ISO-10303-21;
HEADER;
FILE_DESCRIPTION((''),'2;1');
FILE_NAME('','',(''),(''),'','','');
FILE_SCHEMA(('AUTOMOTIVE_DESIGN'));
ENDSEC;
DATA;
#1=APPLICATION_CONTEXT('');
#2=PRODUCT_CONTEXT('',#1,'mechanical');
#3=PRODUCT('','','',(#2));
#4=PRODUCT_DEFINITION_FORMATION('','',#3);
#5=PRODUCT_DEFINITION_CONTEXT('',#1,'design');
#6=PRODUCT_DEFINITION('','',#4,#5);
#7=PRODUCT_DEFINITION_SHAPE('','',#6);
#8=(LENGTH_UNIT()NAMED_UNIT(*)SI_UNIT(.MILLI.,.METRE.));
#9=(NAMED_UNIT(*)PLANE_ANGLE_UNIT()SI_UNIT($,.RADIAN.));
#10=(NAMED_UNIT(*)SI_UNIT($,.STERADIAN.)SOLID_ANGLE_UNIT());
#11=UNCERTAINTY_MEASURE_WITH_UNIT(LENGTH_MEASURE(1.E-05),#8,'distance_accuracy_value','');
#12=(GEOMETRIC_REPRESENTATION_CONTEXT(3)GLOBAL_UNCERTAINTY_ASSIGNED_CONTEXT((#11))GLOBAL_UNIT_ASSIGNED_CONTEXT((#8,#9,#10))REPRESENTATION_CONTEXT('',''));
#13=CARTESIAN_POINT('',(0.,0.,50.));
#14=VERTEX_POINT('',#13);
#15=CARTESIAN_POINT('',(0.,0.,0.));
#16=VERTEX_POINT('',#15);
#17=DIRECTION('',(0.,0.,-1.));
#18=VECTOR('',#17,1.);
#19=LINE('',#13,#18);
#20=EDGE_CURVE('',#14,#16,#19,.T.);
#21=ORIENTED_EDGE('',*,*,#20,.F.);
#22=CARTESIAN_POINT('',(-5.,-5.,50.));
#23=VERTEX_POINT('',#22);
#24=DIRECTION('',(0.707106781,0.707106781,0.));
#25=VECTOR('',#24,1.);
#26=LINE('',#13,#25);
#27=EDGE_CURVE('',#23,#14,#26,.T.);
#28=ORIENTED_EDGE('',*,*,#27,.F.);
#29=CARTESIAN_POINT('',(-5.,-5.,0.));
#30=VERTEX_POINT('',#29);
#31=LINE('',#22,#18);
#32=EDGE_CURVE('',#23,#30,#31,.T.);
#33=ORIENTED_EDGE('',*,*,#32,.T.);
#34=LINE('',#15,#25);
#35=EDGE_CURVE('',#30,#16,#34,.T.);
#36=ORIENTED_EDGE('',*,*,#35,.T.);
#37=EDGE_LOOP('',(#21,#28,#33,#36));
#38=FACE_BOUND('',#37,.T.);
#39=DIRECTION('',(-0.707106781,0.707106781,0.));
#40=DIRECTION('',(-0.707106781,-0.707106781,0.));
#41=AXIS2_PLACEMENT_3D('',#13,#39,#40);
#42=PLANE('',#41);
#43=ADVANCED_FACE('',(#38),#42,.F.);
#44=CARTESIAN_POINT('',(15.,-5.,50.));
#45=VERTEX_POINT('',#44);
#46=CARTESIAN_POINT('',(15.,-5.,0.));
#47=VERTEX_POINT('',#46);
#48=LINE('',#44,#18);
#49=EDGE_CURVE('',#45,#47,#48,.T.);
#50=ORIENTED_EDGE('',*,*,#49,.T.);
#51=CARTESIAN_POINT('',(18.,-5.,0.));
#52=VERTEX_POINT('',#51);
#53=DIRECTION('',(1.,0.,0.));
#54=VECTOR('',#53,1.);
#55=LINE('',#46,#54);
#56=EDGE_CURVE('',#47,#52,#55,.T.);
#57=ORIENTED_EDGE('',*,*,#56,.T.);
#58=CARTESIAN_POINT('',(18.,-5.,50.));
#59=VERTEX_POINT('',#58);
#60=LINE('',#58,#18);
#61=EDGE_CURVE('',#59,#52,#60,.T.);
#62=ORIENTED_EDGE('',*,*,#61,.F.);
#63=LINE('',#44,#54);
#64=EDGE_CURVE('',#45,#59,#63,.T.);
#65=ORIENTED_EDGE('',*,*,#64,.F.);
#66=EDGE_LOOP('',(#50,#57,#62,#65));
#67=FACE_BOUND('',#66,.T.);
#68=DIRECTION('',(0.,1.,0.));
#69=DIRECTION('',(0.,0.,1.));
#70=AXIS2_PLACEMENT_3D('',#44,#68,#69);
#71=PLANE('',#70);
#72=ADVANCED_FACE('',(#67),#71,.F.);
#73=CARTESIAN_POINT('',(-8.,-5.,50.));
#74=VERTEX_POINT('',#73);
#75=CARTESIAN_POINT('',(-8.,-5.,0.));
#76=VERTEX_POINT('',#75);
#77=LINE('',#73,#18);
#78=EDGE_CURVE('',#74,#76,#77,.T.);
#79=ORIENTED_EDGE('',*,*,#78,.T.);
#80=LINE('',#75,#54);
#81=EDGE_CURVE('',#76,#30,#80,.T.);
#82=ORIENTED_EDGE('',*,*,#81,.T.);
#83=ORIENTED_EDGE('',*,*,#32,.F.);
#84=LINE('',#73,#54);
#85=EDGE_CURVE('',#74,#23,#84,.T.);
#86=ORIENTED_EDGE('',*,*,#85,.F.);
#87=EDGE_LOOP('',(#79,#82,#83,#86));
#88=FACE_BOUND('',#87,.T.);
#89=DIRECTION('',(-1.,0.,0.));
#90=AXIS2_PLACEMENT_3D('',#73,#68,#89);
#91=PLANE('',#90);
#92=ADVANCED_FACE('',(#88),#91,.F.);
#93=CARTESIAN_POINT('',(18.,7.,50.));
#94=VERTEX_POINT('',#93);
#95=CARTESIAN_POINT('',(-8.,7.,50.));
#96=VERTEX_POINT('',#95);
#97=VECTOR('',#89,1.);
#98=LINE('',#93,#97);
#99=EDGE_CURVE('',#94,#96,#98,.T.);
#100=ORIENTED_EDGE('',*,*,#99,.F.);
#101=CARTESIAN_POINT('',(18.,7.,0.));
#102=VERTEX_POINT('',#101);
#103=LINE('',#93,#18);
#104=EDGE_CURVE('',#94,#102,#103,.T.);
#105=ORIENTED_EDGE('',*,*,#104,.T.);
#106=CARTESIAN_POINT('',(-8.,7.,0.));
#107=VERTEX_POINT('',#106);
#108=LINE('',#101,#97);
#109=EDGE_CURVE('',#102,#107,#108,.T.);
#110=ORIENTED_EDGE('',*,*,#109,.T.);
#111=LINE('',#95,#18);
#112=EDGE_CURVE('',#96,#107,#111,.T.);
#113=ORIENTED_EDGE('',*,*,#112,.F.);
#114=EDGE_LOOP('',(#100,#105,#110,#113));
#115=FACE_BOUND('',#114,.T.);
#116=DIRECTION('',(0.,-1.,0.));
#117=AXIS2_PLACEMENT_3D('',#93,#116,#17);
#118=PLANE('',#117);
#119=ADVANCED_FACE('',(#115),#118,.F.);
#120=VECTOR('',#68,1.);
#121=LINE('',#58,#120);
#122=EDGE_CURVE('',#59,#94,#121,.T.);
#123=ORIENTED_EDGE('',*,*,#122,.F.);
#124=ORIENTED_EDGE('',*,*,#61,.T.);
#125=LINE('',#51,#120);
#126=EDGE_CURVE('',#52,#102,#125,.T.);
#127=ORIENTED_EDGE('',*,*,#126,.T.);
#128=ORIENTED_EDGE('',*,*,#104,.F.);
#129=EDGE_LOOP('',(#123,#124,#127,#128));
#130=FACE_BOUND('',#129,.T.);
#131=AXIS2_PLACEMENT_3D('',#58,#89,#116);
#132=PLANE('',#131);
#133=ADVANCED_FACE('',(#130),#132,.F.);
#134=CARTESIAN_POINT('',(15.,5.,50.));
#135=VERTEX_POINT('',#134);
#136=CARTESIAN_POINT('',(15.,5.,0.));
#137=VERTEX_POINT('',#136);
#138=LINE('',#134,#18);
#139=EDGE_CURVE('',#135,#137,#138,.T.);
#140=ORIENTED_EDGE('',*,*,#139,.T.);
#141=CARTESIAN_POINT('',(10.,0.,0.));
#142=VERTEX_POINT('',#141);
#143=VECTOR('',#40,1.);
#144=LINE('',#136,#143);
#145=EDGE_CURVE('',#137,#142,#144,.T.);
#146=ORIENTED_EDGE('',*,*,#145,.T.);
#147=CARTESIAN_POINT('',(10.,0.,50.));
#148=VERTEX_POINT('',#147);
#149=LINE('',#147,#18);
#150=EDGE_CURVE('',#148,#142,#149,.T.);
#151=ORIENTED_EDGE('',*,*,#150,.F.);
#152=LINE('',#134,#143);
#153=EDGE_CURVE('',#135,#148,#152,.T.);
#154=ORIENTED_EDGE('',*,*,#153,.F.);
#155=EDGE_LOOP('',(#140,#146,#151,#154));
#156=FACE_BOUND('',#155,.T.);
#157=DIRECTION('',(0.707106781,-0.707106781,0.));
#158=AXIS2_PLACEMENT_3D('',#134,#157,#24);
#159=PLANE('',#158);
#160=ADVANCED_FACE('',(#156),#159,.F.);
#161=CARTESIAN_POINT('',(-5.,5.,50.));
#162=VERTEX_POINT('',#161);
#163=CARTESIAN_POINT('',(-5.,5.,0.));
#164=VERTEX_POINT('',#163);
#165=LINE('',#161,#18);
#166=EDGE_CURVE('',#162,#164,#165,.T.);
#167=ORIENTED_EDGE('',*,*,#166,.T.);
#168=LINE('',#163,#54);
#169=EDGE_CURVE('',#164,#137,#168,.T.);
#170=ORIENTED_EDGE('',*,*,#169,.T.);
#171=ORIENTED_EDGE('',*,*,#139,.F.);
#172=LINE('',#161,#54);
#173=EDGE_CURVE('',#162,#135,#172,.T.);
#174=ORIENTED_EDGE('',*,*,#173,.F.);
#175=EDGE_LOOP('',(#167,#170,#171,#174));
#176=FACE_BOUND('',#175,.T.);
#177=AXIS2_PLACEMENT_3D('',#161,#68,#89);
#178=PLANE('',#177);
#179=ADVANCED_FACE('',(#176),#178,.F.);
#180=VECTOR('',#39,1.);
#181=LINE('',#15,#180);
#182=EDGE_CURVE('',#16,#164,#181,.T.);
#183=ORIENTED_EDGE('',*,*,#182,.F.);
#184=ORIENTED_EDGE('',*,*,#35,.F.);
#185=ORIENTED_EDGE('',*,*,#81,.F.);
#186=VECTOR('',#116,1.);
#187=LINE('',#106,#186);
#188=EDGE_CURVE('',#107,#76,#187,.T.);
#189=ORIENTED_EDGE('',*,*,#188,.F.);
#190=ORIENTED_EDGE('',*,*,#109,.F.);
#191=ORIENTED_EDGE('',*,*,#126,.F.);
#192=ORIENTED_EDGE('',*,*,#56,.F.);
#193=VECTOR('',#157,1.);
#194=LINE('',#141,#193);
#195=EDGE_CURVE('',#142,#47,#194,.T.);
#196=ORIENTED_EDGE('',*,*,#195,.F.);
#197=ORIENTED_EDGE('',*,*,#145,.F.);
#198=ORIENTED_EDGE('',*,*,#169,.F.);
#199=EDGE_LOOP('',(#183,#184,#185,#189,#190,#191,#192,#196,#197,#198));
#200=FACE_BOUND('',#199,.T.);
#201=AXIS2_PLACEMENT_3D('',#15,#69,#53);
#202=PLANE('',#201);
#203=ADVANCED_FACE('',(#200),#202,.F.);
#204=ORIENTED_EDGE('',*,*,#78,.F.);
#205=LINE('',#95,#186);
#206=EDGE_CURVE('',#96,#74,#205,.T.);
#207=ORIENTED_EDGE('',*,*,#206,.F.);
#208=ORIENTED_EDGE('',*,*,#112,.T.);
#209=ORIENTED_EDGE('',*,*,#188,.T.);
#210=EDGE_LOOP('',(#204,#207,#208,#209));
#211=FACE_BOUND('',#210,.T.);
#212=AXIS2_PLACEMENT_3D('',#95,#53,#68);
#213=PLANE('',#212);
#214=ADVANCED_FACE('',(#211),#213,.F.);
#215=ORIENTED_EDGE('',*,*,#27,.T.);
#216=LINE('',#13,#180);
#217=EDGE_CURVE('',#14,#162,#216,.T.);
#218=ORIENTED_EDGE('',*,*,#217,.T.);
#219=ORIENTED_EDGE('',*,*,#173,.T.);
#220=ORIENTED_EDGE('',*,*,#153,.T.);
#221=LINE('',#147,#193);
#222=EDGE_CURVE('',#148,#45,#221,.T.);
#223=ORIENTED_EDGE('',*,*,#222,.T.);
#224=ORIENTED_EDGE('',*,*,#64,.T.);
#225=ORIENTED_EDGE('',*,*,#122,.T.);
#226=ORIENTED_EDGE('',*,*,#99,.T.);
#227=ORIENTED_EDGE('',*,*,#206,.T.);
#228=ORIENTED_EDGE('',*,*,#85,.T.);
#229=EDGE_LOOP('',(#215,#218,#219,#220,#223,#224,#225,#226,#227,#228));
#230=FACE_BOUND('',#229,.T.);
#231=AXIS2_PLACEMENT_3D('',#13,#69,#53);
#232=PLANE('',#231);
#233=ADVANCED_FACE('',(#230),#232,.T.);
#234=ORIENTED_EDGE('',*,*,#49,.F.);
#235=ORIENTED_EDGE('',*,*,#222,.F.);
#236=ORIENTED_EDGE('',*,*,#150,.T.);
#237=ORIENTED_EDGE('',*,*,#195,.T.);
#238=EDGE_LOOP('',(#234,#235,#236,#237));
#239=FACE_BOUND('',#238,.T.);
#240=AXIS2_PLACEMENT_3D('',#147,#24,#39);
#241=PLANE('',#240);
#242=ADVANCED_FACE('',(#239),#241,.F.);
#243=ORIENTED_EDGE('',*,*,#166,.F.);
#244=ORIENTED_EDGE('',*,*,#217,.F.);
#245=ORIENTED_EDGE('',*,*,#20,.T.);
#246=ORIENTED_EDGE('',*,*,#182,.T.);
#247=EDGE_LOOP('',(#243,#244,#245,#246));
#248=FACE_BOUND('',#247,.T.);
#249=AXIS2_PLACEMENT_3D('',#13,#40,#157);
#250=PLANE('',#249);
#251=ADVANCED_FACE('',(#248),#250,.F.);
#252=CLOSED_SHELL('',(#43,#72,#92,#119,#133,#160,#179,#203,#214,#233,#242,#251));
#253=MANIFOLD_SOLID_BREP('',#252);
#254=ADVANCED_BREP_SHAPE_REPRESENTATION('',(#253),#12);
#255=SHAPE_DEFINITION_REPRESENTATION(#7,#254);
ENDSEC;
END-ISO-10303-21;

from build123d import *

# Parameters (mm, degrees)
Y_KSEKLIK_EKSTR_ZYON1_DEPTH = 50


with BuildPart() as part:
    # Çizim1 → Yükseklik-Ekstrüzyon1 (new body)
    with BuildSketch(Plane.XY):
        Polygon((0, 0), (-5, -5), (-8, -5), (-8, 7), (18, 7), (18, -5), (15, -5), (10, 0), (15, 5), (-5, 5), align=None)
    extrude(amount=Y_KSEKLIK_EKSTR_ZYON1_DEPTH)


solid = part.part
